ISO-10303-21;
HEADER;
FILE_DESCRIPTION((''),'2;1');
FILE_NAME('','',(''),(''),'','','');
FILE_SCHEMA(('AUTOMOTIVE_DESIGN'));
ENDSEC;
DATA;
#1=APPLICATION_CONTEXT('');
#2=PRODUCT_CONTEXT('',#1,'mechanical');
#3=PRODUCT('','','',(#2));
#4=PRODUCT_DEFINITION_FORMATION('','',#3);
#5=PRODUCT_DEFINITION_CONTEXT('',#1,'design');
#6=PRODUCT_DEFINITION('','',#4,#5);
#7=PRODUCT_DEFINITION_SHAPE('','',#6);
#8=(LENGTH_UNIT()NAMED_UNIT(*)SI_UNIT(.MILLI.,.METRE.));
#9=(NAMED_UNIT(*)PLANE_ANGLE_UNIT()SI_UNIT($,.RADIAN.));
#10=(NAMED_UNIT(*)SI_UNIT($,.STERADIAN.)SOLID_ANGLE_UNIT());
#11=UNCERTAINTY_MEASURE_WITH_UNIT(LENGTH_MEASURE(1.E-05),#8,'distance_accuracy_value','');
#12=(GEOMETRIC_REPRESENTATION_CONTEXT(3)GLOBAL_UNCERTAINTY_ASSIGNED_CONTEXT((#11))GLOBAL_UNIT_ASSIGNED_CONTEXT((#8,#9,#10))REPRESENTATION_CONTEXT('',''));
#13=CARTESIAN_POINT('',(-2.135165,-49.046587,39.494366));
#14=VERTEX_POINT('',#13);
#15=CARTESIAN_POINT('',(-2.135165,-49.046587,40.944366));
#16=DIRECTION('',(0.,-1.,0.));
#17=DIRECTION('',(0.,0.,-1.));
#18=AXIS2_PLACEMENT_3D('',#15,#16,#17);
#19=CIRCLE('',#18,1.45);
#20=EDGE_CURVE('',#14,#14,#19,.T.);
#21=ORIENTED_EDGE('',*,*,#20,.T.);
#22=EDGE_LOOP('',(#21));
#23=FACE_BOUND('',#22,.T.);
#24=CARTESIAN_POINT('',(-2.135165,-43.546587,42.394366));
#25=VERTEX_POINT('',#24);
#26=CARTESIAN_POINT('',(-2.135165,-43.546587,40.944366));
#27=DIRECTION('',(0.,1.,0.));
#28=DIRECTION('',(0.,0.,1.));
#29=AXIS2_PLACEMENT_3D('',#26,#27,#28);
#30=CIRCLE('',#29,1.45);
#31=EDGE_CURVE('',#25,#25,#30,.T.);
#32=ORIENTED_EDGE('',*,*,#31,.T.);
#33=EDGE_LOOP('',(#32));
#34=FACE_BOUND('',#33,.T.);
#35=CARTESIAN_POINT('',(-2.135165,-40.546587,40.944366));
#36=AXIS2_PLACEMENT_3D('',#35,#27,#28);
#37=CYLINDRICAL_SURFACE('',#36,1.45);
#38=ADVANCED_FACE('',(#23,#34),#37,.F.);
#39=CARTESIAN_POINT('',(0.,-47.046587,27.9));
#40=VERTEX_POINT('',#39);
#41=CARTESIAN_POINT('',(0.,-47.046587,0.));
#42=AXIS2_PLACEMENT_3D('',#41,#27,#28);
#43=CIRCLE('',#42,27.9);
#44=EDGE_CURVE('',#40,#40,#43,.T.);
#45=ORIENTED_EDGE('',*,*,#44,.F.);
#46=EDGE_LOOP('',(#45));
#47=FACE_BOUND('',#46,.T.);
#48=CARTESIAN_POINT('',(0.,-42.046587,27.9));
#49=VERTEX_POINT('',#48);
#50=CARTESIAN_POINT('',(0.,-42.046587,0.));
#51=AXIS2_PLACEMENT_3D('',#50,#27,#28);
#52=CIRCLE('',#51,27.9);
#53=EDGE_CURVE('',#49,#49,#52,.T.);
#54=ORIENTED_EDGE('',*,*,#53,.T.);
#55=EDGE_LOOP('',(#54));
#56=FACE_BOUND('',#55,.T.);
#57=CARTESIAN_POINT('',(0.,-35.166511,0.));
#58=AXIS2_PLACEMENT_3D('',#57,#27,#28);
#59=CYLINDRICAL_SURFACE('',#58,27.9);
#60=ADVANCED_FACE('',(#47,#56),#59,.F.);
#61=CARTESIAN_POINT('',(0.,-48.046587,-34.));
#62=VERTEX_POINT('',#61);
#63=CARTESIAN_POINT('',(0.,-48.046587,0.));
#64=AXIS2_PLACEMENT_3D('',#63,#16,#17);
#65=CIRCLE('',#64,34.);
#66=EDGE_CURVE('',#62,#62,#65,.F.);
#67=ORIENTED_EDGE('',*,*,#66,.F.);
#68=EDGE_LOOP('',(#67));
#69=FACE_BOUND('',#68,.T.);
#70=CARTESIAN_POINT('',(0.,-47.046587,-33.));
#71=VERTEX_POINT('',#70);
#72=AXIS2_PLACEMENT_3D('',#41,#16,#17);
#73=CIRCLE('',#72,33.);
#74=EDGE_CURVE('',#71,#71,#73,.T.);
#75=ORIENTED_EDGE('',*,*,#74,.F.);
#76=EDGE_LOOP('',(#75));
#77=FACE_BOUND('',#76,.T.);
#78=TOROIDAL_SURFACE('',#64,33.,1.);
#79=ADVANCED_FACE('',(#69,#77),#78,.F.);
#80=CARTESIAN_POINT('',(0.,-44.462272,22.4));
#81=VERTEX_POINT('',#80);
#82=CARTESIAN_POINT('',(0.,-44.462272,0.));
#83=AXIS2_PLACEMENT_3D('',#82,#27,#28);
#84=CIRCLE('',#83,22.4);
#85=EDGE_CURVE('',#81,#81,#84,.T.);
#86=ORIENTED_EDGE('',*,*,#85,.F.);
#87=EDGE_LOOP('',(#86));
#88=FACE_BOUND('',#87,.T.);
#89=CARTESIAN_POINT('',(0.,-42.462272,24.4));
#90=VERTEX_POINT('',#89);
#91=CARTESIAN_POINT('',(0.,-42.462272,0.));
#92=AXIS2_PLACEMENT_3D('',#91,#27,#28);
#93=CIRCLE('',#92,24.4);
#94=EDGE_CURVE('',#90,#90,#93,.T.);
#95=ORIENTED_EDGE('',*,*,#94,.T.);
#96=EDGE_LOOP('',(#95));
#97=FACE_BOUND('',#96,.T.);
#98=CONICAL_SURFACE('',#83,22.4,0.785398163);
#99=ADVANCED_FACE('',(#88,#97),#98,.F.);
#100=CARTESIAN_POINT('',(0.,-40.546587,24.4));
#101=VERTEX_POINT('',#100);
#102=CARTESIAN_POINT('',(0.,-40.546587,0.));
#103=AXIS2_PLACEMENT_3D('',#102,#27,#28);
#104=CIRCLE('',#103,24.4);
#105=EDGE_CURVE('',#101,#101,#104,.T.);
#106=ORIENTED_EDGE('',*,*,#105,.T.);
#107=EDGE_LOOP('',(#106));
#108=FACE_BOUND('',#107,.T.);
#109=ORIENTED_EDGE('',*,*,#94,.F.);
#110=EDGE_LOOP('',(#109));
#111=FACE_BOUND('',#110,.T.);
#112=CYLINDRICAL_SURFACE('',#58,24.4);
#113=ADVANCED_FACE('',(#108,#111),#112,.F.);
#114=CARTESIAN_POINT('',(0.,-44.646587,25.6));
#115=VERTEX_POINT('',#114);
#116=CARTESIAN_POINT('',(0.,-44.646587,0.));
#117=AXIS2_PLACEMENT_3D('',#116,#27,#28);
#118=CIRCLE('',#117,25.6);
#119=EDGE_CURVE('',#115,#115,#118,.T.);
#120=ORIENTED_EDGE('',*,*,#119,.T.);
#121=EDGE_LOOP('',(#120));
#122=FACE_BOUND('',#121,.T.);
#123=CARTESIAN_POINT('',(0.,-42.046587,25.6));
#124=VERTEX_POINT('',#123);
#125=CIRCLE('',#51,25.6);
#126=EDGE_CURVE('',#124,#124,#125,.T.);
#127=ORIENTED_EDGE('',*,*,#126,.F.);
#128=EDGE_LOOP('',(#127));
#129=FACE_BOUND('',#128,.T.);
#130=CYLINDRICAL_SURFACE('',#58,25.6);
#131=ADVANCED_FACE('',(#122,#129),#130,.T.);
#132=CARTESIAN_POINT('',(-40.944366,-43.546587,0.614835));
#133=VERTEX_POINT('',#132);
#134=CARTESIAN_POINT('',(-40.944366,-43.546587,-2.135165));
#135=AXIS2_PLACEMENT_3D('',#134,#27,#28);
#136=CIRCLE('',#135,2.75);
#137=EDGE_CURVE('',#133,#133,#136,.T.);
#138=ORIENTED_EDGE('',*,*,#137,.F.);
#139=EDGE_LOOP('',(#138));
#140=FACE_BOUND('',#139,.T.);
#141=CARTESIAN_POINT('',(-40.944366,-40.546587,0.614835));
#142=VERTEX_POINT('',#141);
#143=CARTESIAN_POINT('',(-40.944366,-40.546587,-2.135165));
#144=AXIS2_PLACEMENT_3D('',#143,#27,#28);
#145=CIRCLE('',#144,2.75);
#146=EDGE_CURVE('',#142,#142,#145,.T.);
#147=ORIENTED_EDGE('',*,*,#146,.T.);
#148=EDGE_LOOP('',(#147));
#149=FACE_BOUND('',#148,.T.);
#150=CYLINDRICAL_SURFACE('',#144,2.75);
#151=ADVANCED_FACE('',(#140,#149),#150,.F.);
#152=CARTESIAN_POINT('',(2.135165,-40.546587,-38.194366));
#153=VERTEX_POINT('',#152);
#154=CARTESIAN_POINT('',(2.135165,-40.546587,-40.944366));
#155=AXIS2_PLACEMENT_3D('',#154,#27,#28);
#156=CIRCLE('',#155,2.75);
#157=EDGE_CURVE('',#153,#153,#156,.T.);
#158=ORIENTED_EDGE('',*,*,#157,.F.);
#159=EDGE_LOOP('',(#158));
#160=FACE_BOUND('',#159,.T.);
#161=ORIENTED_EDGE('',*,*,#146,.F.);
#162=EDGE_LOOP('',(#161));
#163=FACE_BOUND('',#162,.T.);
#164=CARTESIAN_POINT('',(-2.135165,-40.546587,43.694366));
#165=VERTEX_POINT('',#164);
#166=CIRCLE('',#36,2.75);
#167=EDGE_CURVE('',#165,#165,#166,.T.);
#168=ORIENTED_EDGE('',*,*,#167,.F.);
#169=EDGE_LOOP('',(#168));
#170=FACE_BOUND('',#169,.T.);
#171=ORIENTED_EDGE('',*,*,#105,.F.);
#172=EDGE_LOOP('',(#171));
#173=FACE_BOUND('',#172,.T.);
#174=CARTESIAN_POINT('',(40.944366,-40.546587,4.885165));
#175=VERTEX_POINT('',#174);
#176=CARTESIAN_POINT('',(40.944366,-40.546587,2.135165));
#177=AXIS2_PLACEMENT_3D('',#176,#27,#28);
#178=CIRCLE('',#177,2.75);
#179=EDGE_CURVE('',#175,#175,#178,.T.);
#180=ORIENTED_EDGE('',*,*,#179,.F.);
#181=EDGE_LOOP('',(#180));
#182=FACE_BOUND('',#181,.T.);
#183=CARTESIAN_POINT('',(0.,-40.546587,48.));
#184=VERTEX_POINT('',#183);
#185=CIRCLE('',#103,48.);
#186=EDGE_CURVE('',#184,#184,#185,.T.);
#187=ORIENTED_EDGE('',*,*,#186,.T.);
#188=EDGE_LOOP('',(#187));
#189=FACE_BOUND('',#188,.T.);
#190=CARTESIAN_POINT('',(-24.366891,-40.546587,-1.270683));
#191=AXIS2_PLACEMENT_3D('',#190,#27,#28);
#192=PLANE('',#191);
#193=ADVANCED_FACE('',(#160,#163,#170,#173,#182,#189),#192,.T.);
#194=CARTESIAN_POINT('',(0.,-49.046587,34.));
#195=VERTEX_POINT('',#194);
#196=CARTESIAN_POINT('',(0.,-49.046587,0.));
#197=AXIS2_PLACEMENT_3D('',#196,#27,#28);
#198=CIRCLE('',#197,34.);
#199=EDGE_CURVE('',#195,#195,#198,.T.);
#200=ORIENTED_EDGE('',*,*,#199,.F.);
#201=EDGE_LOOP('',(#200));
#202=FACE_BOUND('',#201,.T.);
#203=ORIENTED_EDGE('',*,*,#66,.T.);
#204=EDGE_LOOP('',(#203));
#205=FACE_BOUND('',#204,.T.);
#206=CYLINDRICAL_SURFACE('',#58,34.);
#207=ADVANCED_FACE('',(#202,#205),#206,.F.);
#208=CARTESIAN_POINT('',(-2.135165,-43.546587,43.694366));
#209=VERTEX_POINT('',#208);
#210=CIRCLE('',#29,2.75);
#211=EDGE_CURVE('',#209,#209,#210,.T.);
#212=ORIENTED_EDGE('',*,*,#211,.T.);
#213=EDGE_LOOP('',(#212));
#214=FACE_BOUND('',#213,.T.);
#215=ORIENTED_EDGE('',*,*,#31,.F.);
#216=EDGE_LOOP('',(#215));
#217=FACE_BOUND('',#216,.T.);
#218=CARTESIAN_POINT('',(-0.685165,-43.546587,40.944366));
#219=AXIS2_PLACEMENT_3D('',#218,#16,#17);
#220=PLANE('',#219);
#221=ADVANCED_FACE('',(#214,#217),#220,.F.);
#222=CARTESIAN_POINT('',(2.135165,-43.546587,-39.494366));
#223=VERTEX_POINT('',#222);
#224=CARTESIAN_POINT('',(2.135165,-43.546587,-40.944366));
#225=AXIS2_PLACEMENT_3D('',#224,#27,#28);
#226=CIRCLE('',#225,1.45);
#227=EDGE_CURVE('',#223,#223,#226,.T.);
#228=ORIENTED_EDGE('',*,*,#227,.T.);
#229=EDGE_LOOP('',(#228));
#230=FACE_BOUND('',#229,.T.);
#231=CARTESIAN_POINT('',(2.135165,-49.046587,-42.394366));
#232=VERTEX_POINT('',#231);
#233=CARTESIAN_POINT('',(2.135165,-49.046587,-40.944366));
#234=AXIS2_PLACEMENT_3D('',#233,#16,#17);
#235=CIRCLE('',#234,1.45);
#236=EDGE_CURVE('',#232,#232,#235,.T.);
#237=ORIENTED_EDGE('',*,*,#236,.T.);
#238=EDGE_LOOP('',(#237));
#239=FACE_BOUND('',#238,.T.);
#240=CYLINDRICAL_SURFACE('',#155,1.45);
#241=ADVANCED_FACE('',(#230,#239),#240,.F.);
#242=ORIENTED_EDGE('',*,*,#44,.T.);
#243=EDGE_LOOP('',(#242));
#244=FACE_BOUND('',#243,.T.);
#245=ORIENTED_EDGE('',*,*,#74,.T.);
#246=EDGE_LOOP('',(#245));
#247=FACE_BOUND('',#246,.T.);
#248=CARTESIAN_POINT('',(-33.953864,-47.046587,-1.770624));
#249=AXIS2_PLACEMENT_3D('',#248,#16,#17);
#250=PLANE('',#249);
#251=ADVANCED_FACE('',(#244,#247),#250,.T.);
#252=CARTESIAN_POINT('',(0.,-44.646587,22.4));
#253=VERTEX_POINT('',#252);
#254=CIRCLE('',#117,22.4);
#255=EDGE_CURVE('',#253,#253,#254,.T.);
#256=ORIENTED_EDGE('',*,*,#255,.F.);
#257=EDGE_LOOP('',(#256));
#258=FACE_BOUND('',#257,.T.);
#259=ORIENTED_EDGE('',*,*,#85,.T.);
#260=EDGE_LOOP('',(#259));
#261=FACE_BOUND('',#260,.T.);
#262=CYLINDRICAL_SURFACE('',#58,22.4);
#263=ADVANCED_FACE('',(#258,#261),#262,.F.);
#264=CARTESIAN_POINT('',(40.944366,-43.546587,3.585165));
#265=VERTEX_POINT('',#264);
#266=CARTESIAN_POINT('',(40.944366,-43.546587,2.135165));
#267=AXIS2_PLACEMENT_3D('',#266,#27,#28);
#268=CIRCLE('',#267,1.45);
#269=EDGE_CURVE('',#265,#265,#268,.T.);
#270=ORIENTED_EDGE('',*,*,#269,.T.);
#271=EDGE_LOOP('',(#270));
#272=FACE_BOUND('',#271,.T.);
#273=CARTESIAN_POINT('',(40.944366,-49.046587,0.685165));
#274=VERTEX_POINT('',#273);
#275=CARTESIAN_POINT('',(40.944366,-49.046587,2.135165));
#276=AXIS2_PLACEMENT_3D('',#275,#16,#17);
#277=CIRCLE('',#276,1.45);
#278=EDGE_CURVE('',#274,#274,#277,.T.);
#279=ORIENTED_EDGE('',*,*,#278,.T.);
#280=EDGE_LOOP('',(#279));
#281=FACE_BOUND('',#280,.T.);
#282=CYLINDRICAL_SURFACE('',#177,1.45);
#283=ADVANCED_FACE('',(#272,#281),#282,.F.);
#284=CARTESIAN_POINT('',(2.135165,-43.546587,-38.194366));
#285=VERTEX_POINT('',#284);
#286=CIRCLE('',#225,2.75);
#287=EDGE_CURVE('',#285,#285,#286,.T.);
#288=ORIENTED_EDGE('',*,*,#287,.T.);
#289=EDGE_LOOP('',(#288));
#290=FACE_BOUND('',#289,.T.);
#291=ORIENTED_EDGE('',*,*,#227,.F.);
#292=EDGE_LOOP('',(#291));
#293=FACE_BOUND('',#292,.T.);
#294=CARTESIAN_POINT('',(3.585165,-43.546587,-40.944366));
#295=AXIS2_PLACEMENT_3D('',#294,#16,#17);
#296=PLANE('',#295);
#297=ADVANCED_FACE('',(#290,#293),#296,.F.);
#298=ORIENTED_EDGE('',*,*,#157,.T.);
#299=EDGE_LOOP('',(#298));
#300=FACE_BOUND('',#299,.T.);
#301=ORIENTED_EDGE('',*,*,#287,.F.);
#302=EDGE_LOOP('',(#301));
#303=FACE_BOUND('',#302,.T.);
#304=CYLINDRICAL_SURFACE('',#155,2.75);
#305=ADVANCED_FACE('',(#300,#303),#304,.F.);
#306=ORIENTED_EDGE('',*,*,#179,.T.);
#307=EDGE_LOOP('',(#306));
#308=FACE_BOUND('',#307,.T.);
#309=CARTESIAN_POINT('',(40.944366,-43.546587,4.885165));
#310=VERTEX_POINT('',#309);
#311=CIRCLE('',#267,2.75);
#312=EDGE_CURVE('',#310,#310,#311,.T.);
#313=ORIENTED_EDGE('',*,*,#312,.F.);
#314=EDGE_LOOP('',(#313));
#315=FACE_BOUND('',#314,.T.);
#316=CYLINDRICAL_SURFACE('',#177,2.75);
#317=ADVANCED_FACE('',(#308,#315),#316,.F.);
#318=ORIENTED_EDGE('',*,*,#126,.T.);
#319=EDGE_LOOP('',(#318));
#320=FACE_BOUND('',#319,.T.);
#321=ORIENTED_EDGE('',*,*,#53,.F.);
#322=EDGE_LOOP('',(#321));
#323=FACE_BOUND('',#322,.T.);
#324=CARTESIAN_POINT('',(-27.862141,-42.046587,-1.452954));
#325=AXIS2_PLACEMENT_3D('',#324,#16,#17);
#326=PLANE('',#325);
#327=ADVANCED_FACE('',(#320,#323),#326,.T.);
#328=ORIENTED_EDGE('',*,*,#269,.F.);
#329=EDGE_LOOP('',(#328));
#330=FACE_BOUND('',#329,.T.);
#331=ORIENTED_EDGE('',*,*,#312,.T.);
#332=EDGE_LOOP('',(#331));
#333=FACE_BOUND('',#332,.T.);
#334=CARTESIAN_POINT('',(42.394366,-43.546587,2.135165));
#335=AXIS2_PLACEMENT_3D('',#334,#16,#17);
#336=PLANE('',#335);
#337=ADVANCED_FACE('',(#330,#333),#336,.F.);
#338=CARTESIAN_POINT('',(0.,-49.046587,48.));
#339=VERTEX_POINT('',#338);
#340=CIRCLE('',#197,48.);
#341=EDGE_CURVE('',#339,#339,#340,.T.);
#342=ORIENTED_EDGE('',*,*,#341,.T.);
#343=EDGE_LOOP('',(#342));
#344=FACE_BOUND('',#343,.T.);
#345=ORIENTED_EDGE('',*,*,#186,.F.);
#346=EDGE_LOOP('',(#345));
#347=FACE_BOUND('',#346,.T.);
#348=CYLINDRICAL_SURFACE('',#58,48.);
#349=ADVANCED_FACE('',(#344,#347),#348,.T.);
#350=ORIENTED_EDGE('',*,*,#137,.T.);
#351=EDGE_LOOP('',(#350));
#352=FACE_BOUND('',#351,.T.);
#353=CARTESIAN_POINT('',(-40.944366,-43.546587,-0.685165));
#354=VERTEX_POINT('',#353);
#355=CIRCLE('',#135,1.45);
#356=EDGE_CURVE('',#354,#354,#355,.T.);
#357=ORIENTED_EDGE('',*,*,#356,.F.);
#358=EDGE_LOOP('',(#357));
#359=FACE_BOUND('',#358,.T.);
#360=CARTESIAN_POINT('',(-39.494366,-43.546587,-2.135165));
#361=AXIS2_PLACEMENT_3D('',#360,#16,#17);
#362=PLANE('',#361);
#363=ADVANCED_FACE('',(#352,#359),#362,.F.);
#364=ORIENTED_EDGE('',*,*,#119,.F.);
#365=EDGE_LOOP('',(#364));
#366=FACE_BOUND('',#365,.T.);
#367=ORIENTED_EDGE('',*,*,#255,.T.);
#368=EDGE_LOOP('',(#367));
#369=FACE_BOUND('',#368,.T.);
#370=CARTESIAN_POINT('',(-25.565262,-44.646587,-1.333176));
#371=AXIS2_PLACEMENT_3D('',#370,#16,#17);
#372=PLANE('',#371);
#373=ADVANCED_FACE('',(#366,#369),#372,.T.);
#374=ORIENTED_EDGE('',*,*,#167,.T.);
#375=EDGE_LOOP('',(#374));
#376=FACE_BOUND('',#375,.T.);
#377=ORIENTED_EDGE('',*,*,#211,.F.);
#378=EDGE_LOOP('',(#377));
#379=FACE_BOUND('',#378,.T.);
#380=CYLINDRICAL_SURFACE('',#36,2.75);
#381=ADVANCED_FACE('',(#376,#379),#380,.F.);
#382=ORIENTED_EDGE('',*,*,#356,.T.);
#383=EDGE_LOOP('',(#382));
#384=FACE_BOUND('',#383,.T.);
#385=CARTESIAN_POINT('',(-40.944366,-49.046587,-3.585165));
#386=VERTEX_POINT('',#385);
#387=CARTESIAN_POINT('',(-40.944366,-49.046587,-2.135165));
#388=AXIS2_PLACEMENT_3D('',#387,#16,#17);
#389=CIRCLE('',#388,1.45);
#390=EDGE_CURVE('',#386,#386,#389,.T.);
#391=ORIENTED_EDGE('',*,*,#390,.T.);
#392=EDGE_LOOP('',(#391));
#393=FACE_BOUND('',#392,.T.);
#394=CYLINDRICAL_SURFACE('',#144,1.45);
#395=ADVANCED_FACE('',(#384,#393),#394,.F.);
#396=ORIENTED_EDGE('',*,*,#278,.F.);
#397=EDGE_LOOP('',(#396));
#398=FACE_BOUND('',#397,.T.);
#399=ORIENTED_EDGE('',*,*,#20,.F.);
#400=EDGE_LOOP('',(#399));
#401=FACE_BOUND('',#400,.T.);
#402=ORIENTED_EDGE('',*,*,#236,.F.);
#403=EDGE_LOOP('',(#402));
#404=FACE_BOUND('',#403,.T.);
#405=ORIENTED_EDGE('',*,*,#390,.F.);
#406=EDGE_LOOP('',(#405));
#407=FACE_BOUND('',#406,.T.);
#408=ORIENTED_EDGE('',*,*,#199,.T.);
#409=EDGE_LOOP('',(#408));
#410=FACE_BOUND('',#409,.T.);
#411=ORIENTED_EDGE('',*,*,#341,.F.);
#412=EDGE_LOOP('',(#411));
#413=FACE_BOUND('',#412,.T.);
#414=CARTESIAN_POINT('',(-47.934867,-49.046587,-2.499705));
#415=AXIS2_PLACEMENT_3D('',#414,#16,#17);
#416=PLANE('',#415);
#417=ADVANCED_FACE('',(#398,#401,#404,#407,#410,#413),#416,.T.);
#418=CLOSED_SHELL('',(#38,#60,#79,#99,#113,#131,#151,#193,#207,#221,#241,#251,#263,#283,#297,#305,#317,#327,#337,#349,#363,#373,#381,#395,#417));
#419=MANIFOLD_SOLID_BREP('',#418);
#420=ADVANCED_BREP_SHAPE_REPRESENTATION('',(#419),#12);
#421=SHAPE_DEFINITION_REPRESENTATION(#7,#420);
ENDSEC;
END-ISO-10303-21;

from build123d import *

# Parameters (mm, degrees)
FILLET1_R                        = 1
CBORE_FOR_M2_5_SHCS1_D           = 2.9
CBORE_FOR_M2_5_SHCS1_DEPTH       = 10
CBORE_FOR_M2_5_SHCS1_CBORE_D     = 5.5
CBORE_FOR_M2_5_SHCS1_CBORE_DEPTH = 3
CBORE_FOR_M2_5_SHCS1_TIP         = 0.871247898


with BuildPart() as part:
    # Sketch2 → Revolve1 (revolve)
    with BuildSketch(Plane(origin=(0, -49.046586852, 0), x_dir=(0.998643062566617, 0, 0.052077188744861835), z_dir=(-0.052077188744861835, 0, 0.998643062566617)), mode=Mode.PRIVATE) as revolve1_sk:
        Polygon((-25.6, 4.4), (-22.4, 4.4), (-22.4, 4.584314575), (-24.4, 6.584314575), (-24.4, 8.5), (-48, 8.5), (-48, 0), (-34, 0), (-34, 2), (-27.9, 2), (-27.9, 7), (-25.6, 7), align=None)
    revolve(revolve1_sk.sketch.rotate(Axis((0, -35.16651105, 0), (0, -1, 0)), 267.014846532), axis=Axis((0, -35.16651105, 0), (0, -1, 0)))

    # Fillet1
    fillet1_edges = [part.edges().sort_by_distance(p)[0] for p in [
        (0, -47.046586852, -34),
    ]]
    fillet(fillet1_edges, radius=FILLET1_R)

    # CBORE for M2.5 SHCS1
    with Locations(Plane(origin=(0, -40.546586852, 0), x_dir=(1, 0, 0), z_dir=(0, 1, 0))):
        with Locations((2.135164739, 40.944365565), (40.944365565, -2.135164739), (-40.944365565, 2.135164739), (-2.135164739, -40.944365565)):
            CounterBoreHole(CBORE_FOR_M2_5_SHCS1_D / 2, CBORE_FOR_M2_5_SHCS1_CBORE_D / 2, CBORE_FOR_M2_5_SHCS1_CBORE_DEPTH, depth=CBORE_FOR_M2_5_SHCS1_DEPTH)
            with Locations((0, 0, -(CBORE_FOR_M2_5_SHCS1_DEPTH + CBORE_FOR_M2_5_SHCS1_TIP / 2))):  # 118° drill point
                Cone(0, CBORE_FOR_M2_5_SHCS1_D / 2, CBORE_FOR_M2_5_SHCS1_TIP, mode=Mode.SUBTRACT)


solid = part.part
